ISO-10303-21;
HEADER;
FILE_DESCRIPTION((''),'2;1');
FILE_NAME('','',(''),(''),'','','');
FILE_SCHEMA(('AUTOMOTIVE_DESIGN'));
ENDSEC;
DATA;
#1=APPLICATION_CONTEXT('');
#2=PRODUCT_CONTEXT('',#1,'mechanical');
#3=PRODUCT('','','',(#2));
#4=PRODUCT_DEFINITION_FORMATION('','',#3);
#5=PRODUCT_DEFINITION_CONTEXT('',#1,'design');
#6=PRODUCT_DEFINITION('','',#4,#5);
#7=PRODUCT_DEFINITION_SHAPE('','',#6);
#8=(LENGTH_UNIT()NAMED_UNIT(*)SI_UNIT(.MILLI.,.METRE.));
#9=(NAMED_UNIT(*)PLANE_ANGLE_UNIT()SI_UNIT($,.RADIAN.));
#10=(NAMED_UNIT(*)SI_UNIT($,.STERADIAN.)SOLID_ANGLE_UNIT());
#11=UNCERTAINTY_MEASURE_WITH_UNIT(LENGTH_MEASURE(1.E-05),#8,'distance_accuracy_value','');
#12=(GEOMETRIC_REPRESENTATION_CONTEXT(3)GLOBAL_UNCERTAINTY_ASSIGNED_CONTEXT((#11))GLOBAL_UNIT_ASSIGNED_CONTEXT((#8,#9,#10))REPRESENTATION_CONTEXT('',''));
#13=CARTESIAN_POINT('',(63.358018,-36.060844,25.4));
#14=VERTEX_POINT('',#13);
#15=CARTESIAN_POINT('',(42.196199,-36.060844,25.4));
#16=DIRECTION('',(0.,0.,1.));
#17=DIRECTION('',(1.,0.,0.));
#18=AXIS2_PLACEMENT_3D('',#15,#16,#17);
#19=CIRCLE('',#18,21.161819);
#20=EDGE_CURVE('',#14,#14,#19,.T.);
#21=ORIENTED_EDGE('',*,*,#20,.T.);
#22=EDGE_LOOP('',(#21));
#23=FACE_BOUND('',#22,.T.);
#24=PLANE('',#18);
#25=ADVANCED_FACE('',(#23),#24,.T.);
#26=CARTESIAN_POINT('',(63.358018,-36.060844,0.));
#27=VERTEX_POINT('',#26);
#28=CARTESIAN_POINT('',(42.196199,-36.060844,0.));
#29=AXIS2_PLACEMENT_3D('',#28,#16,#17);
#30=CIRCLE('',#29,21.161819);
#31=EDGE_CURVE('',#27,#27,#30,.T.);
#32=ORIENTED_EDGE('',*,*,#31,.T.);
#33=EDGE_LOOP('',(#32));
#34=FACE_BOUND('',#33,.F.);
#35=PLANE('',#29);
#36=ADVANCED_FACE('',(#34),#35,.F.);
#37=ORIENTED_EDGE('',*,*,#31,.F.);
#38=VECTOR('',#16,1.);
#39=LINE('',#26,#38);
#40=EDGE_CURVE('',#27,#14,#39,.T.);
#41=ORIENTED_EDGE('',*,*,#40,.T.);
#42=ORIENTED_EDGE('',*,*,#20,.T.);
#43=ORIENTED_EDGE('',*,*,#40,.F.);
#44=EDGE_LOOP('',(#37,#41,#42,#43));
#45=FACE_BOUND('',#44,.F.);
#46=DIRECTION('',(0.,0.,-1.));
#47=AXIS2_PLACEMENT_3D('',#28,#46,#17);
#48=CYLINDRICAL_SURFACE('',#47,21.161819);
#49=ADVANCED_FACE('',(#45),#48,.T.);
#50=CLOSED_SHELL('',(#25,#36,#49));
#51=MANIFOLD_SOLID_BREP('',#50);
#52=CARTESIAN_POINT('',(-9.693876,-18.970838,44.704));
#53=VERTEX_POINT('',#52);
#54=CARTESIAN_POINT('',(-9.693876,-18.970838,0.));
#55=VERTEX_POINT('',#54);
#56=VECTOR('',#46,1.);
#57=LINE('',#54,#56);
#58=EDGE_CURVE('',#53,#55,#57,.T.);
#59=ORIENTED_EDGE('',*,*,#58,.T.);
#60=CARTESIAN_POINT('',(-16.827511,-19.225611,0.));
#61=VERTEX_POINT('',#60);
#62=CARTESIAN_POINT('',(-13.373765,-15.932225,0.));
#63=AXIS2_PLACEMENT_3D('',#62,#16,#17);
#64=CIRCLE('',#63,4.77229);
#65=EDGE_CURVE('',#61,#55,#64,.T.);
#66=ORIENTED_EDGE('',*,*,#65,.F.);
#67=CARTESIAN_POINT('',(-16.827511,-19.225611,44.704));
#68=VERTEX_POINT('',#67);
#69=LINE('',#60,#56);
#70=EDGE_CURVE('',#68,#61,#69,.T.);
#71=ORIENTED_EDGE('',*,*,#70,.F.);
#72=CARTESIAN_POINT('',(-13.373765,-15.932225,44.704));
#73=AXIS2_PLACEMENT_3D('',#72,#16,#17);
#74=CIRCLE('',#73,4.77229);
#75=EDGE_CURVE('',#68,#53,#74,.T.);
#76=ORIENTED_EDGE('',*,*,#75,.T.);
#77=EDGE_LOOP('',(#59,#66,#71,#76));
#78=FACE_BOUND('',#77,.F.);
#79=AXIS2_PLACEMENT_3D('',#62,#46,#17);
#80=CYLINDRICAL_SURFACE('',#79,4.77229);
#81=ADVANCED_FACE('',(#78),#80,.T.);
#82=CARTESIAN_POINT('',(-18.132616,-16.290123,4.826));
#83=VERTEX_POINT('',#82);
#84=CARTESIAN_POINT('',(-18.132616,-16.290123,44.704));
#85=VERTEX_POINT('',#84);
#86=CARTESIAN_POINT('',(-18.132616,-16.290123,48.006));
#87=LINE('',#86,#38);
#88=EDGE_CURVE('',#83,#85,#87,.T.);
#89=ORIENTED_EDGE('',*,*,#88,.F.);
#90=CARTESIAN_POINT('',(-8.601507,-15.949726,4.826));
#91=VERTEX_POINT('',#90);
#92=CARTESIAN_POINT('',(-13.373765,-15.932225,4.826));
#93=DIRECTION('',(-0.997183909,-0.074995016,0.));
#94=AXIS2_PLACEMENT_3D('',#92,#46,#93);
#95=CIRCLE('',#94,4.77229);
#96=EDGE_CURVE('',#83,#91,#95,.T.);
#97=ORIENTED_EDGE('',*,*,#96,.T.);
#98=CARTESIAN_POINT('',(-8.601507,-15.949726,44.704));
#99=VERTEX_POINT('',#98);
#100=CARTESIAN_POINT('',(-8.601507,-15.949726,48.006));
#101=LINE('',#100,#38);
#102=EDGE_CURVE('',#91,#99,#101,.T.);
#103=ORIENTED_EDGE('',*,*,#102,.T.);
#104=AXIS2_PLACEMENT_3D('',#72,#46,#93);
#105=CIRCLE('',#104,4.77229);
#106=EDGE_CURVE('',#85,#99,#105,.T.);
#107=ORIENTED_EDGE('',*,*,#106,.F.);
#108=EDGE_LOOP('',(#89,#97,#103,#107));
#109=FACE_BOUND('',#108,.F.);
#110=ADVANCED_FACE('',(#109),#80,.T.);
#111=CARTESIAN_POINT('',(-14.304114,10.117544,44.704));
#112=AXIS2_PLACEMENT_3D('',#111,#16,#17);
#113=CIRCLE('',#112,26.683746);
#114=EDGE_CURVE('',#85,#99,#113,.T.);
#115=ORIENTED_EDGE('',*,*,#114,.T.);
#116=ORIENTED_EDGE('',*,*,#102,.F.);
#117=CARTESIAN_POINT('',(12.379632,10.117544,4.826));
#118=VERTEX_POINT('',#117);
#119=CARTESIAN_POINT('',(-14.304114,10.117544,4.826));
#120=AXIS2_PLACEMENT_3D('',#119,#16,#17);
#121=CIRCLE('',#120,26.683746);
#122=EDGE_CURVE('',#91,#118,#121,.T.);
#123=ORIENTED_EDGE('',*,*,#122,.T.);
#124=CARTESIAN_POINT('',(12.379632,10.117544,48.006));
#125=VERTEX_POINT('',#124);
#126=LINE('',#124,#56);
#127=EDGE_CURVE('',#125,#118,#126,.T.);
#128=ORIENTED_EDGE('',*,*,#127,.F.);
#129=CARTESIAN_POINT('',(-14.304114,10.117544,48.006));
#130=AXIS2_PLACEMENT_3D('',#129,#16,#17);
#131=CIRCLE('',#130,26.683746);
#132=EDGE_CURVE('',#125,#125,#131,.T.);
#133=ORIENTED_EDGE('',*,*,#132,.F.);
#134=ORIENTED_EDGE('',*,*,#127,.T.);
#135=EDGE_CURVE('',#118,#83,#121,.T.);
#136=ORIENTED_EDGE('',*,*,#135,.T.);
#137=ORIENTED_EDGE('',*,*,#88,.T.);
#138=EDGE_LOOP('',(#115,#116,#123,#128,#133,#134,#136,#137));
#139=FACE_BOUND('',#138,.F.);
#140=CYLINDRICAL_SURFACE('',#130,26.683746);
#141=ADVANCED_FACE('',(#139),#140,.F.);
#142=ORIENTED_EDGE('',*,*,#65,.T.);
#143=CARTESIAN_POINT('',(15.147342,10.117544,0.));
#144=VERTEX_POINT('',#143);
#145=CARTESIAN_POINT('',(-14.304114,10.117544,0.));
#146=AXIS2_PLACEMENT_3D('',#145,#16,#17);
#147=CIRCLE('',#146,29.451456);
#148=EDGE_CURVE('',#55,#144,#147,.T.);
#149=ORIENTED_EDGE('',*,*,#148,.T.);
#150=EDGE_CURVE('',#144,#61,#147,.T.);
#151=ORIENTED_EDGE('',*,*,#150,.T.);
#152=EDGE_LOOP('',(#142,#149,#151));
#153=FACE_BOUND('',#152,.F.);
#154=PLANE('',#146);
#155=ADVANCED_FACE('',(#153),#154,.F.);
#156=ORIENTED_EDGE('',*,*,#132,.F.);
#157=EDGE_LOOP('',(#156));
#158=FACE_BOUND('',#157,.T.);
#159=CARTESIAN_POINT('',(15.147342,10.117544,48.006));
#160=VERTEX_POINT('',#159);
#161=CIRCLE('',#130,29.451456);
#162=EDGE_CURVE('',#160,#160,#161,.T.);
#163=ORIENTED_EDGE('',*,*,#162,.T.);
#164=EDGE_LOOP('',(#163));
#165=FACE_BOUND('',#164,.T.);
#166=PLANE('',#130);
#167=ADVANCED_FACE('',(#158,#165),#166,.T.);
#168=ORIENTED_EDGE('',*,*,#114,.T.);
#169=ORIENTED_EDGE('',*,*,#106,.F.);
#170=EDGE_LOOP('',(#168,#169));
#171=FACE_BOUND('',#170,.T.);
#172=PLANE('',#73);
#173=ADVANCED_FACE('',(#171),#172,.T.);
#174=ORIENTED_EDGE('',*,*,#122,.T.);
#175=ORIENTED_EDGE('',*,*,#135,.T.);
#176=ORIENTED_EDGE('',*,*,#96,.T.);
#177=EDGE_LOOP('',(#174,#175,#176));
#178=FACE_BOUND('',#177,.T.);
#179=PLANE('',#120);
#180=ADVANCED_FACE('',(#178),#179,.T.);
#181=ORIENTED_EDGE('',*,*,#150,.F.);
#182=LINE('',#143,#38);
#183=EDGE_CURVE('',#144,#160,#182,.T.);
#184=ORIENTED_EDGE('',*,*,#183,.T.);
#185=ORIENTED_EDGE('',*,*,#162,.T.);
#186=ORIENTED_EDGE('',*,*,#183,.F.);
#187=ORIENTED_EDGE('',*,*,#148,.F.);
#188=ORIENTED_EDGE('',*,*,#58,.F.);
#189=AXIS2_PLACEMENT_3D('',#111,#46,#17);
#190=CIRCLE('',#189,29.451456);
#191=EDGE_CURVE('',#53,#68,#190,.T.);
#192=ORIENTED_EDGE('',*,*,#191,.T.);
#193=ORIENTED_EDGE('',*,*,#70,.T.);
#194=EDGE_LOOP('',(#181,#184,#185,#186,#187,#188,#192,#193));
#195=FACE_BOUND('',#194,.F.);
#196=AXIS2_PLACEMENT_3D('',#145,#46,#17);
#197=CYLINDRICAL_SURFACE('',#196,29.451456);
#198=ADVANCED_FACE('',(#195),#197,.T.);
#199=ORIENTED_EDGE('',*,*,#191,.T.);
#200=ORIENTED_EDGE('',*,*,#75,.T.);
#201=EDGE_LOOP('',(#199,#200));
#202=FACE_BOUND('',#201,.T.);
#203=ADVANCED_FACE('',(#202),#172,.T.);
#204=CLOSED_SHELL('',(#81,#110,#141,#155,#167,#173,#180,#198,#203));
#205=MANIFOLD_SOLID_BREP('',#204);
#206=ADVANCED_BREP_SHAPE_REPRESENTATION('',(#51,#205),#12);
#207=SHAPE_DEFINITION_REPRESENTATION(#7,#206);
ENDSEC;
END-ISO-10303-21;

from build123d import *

# Parameters (mm, degrees)
F0_R      = 29.451456
F1_DEPTH  = 48.006
F2_R      = 26.683746
F3_DEPTH  = 43.18
F5_R      = 4.77229
F6_DEPTH  = 44.704
F4_R      = 21.661849
F7_DEPTH  = 25.4
F8_R      = 56.122028
F9_DEPTH  = 44.45
F10_R     = 21.161819
F11_DEPTH = 25.4


with BuildPart() as f1:
    # F0 (on Top) → F1 (new body)
    with BuildSketch(Plane.XY):
        with Locations((-14.304114, 10.117544)):
            Circle(F0_R)
    extrude(amount=F1_DEPTH)

    # F2 (on face) → F3 (cut)
    with BuildSketch(Plane.XY.offset(48.006)):
        with Locations((-14.304114, 10.117544)):
            Circle(F2_R)
    extrude(amount=-F3_DEPTH, mode=Mode.SUBTRACT)

    # F5 (on Top) → F6 (join)
    with BuildSketch(Plane.XY):
        with Locations((-13.373765, -15.932225)):
            Circle(F5_R)
    extrude(amount=F6_DEPTH)

    # F4 (on face) → F7 (join)
    with BuildSketch(Plane(origin=(0, 0, 0), x_dir=(1, 0, 0), z_dir=(0, 0, -1))):
        with Locations((-14.304114, -10.117544)):
            Circle(F4_R)
    extrude(amount=F7_DEPTH)

    # F8 (on Top) → F9 (cut)
    with BuildSketch(Plane.XY):
        with Locations((-14.900141, 8.263944)):
            Circle(F8_R)
    extrude(amount=-F9_DEPTH, mode=Mode.SUBTRACT)


with BuildPart() as f11:
    # F10 (on Top) → F11 (new body)
    with BuildSketch(Plane.XY):
        with Locations((42.196199, -36.060844)):
            Circle(F10_R)
    extrude(amount=F11_DEPTH)


solid = Compound([f1.part, f11.part])
